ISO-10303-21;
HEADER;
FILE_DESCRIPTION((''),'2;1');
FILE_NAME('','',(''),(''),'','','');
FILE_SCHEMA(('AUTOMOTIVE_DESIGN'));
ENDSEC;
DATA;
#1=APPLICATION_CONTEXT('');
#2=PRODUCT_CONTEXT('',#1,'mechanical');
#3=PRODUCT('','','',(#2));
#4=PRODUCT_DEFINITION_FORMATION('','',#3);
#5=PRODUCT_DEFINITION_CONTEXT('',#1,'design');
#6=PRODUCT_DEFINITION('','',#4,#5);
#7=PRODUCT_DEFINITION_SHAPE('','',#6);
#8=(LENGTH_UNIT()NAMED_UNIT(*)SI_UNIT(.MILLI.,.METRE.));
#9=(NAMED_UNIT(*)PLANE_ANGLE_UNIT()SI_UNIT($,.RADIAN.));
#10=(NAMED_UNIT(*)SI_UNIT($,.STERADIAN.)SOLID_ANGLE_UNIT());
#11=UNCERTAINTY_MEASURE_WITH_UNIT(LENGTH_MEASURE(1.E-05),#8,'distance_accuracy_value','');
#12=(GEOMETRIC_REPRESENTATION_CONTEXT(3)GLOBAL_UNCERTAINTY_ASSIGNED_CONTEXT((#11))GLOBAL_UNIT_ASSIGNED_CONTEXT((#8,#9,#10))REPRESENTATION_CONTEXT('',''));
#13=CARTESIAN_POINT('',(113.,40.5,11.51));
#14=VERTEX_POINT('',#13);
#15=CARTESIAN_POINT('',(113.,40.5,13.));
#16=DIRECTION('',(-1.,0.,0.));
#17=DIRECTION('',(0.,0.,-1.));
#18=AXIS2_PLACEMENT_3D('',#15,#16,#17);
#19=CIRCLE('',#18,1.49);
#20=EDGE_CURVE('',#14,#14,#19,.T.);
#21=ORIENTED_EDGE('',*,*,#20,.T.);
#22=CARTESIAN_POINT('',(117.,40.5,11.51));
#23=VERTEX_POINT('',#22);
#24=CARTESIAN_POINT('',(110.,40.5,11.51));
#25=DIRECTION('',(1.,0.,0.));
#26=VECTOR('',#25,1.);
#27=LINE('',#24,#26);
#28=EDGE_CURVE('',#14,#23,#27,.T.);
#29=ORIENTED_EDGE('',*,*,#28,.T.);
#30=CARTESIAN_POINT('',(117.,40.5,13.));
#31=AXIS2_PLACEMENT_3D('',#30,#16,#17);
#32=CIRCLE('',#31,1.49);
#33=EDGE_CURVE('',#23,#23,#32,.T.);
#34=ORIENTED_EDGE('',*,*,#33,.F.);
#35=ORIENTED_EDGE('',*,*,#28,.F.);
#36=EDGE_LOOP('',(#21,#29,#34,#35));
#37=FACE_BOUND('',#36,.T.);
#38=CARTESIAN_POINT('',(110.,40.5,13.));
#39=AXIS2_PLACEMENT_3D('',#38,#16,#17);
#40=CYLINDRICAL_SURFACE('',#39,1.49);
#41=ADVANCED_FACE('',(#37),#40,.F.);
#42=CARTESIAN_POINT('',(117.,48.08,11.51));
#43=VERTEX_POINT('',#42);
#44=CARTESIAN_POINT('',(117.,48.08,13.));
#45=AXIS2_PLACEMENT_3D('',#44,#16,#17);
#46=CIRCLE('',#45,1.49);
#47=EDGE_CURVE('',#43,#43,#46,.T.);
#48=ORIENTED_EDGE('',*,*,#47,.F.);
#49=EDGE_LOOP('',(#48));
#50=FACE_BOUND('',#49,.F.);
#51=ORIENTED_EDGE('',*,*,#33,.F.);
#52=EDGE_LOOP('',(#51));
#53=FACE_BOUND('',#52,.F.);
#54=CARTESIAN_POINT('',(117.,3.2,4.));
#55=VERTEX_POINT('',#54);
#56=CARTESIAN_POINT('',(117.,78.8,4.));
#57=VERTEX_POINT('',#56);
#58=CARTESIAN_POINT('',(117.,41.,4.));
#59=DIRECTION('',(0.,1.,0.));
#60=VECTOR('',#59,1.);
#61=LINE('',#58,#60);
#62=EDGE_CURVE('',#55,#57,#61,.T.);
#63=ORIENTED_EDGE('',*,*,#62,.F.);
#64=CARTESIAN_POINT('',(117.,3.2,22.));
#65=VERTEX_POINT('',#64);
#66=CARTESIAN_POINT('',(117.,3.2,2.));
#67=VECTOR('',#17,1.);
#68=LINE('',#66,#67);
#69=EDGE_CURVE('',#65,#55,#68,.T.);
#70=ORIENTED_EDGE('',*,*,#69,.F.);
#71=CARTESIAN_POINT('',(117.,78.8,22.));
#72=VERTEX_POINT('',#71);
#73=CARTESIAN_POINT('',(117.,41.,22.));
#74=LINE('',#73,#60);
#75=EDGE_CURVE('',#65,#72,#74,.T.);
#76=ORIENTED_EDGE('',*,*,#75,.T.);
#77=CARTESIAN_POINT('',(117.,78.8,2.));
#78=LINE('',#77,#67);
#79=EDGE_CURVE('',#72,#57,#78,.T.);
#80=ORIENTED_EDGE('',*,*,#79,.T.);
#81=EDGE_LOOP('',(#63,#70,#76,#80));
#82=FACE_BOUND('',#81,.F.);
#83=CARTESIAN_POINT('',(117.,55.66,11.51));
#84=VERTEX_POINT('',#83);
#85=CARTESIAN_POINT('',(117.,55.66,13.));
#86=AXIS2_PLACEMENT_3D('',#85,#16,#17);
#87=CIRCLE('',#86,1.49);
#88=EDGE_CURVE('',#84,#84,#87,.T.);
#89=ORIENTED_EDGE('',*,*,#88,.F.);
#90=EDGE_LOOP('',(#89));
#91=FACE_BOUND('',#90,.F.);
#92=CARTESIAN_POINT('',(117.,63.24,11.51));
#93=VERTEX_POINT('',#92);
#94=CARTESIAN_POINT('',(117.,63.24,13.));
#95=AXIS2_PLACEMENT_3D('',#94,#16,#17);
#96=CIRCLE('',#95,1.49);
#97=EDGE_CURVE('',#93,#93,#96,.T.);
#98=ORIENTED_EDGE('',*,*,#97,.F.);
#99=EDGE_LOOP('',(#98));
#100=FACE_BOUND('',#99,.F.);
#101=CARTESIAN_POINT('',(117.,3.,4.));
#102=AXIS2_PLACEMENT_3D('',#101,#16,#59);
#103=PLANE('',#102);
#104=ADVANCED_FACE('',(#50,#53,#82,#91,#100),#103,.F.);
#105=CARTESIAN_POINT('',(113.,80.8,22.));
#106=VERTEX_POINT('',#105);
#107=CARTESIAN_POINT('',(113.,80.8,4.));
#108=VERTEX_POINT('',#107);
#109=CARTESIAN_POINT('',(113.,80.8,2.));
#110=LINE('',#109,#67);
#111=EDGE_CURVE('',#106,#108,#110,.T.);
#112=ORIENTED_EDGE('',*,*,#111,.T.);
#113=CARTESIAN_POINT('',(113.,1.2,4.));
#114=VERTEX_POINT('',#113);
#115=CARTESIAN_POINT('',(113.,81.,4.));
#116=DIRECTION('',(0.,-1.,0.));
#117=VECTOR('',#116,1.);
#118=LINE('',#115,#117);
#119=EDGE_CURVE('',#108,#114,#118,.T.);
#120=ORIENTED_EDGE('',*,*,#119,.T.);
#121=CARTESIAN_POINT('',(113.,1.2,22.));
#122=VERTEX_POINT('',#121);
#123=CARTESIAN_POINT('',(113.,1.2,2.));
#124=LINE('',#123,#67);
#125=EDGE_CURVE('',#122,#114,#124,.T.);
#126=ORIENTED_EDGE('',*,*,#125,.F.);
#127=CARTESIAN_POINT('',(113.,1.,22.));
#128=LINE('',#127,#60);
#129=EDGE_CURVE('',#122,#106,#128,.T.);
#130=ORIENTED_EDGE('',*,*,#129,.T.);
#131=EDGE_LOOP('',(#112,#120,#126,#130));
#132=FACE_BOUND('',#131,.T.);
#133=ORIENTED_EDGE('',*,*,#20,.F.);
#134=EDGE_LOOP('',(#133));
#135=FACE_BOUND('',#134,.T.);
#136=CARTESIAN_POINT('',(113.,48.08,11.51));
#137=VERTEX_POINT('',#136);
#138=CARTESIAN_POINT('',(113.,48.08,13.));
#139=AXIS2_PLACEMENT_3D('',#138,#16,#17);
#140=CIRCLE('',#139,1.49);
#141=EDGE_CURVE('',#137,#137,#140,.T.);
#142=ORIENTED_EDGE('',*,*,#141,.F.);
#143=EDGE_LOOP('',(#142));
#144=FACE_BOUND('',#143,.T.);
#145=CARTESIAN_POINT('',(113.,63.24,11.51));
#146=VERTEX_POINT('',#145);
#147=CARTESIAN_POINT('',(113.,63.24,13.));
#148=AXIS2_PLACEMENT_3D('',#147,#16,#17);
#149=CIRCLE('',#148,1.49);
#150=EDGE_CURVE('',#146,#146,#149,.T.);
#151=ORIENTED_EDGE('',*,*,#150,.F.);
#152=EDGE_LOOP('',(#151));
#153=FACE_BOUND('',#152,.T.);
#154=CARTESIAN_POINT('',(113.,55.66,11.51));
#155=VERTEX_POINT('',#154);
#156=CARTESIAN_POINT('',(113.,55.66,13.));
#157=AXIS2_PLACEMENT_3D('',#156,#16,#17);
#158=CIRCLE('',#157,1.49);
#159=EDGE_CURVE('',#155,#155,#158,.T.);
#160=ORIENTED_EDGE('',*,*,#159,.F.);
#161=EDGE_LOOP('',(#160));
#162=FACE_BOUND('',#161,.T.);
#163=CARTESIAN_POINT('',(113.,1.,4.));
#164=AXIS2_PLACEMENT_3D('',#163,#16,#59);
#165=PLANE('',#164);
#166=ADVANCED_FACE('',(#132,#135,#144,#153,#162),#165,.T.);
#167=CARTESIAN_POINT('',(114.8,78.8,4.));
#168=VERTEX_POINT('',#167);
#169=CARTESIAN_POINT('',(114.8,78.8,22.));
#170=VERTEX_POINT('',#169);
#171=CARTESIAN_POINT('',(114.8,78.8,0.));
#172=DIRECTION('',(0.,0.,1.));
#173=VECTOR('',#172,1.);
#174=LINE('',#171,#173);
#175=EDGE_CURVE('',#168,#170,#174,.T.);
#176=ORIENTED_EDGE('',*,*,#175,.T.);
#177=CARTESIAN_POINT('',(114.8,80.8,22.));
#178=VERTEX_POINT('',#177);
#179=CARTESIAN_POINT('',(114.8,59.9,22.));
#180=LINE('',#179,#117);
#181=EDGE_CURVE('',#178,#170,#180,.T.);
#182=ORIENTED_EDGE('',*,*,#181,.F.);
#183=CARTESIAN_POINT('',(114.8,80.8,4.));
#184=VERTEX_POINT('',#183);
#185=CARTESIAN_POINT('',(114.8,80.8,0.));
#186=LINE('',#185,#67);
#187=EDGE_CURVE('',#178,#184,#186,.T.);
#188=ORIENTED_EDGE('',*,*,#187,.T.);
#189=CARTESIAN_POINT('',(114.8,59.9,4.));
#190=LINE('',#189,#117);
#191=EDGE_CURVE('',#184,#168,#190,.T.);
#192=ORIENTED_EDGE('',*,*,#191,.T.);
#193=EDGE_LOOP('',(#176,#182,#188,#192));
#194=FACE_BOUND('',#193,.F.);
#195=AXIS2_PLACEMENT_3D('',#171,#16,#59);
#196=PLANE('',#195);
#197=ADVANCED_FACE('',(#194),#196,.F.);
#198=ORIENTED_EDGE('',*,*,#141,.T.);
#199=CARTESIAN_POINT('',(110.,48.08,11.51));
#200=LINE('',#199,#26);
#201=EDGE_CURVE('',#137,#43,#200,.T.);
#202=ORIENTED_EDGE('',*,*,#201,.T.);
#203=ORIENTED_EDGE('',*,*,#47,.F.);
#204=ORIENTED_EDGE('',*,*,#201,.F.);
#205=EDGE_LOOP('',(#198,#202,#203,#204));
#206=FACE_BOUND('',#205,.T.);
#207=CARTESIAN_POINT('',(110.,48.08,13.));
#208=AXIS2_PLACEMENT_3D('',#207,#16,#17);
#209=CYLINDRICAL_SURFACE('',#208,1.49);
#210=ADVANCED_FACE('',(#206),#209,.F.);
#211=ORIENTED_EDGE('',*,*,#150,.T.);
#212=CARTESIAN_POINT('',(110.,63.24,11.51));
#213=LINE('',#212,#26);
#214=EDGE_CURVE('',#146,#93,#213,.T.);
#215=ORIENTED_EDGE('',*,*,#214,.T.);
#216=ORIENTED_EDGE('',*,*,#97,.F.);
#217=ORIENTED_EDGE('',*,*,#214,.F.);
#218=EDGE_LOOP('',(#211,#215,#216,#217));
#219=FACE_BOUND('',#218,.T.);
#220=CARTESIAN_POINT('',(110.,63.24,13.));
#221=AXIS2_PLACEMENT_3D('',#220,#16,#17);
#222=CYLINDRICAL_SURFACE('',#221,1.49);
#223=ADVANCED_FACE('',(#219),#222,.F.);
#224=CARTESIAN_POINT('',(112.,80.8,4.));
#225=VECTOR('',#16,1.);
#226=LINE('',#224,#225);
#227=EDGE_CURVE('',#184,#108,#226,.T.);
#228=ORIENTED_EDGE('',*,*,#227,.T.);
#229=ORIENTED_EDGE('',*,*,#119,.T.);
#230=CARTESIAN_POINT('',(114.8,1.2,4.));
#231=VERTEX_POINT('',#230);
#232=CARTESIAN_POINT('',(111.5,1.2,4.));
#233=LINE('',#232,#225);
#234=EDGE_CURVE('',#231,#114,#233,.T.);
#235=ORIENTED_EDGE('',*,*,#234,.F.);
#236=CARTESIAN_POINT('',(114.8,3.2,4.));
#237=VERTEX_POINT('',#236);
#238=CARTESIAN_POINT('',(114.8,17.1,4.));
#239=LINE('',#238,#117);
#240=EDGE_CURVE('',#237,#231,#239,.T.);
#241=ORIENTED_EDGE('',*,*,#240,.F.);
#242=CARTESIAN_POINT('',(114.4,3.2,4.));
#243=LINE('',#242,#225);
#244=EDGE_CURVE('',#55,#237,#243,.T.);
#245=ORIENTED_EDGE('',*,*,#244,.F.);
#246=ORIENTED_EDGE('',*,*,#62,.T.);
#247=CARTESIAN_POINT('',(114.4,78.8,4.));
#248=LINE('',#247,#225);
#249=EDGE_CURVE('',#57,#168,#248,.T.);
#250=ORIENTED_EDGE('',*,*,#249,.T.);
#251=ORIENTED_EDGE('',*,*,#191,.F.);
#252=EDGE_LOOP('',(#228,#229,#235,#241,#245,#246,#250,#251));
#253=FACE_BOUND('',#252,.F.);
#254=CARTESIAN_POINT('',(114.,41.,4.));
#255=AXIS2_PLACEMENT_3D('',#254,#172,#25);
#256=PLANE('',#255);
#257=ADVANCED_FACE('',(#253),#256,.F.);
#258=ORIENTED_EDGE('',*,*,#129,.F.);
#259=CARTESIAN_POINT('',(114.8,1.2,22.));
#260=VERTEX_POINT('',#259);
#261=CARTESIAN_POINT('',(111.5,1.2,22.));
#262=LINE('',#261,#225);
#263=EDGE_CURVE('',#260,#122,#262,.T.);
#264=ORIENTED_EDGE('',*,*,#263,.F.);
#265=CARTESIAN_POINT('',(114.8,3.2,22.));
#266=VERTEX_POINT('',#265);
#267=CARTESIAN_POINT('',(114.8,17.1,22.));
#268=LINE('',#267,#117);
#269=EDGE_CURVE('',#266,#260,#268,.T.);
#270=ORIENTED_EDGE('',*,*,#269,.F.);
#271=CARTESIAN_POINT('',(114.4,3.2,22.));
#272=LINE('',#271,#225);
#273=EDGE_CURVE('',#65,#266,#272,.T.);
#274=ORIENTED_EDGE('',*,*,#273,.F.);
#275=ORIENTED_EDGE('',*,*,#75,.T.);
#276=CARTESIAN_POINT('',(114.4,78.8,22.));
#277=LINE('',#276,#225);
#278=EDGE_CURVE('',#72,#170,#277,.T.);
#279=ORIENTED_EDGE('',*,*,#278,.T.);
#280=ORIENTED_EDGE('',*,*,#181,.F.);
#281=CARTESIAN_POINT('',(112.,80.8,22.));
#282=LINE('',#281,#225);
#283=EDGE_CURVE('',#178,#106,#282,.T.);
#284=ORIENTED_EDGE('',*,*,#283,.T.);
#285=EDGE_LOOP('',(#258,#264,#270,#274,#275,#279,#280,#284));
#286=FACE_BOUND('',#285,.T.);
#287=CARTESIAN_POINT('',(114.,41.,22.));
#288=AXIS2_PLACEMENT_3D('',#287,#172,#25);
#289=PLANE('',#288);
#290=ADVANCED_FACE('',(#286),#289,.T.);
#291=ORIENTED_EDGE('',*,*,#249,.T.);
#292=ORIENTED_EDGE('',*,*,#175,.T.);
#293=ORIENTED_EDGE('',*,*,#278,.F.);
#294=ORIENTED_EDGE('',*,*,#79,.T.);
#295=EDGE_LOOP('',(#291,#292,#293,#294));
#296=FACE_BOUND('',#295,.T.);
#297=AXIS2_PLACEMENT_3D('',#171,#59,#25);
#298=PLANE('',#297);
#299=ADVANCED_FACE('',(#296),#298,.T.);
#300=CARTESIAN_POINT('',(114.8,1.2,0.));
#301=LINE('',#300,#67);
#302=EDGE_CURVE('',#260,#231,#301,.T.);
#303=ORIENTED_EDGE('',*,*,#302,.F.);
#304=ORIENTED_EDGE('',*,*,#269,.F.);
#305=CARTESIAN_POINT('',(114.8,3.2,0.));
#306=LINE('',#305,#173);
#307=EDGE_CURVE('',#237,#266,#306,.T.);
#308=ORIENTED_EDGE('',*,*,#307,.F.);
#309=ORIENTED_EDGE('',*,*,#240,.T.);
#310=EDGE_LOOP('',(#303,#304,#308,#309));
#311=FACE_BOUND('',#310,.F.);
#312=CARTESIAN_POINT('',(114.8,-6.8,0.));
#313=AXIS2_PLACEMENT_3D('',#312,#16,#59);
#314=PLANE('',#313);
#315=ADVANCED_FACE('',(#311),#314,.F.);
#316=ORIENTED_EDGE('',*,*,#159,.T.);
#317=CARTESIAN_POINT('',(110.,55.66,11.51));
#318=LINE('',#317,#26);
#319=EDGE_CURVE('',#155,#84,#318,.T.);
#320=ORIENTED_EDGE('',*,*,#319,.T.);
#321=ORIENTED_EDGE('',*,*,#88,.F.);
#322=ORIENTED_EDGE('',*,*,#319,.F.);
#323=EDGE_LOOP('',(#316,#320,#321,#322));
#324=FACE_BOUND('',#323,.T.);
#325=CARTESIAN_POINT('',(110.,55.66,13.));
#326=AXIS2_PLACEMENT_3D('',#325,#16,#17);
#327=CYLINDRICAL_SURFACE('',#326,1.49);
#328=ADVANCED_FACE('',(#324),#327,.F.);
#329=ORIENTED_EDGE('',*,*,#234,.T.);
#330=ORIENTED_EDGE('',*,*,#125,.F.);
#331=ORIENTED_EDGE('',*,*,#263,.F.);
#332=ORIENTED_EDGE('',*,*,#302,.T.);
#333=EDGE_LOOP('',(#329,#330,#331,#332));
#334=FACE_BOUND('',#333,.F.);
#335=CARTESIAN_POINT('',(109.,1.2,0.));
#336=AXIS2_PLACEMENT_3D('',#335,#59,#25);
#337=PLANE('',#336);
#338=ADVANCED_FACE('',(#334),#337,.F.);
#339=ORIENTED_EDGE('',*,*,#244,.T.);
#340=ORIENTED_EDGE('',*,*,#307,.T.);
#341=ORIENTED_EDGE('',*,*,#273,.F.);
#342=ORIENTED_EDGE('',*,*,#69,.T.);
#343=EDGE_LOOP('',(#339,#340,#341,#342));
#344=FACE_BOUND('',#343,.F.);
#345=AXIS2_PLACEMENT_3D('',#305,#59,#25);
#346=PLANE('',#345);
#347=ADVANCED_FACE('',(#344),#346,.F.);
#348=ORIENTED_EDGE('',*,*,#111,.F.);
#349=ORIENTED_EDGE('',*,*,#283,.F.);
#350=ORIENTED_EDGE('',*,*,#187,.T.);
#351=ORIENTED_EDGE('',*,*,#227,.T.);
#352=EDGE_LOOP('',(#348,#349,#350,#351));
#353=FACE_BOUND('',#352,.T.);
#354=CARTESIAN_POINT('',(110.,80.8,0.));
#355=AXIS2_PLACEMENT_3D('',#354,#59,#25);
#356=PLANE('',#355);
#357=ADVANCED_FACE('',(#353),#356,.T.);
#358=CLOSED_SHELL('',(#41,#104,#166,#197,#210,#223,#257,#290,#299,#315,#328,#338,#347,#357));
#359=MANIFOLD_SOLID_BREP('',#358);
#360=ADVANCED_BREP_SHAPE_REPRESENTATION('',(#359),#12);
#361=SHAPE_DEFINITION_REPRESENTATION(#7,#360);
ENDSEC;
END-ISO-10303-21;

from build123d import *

# Parameters (mm, degrees)
CYLINDER010_R     = 1.49
CYLINDER010_DEPTH = 10
ARRAY016_Y_COUNT  = 4
ARRAY016_Y_PITCH  = 7.58
BOX051_W          = 10
BOX051_H          = 10
BOX051_DEPTH      = 31
BOX050_W          = 10
BOX050_H          = 10
BOX050_DEPTH      = 30
BOX049_W          = 10
BOX049_H          = 10
BOX049_DEPTH      = 25
BOX048_W          = 10
BOX048_H          = 10
BOX048_DEPTH      = 25
BOX046_W          = 2
BOX046_H          = 80
BOX046_DEPTH      = 18
BOX047_W          = 4
BOX047_H          = 76
BOX047_DEPTH      = 18


with BuildPart() as array016:
    # Cylinder010 → Cylinder010 (new body)
    with BuildSketch(Plane(origin=(143, 6, 13), x_dir=(0, 0, -1), z_dir=(1, 0, 0))):
        Circle(CYLINDER010_R)
    extrude(amount=CYLINDER010_DEPTH)

    # Array016 Y: Array016 ×4


with BuildPart() as array016_1:
    add(array016.part)
    with Locations(*[(0, i * ARRAY016_Y_PITCH, 0) for i in range(1, ARRAY016_Y_COUNT)]):
        add(array016.part)


with BuildPart() as array016_2:
    # Array016 placement: moved
    add(array016_1.part.moved(Location((-33, 34.5, 0))))


with BuildPart() as w_rfel037:
    # Box051 → Box051 (new body)
    with BuildSketch(Plane(origin=(110, 80.8, 0), x_dir=(1, 0, 0), z_dir=(0, 0, 1))):
        with Locations((5, 5)):
            Rectangle(BOX051_W, BOX051_H)
    extrude(amount=BOX051_DEPTH)


with BuildPart() as w_rfel036:
    # Box050 → Box050 (new body)
    with BuildSketch(Plane(origin=(109, -8.8, 0), x_dir=(1, 0, 0), z_dir=(0, 0, 1))):
        with Locations((5, 5)):
            Rectangle(BOX050_W, BOX050_H)
    extrude(amount=BOX050_DEPTH)


with BuildPart() as w_rfel035:
    # Box049 → Box049 (new body)
    with BuildSketch(Plane(origin=(114.8, 78.8, 0), x_dir=(1, 0, 0), z_dir=(0, 0, 1))):
        with Locations((5, 5)):
            Rectangle(BOX049_W, BOX049_H)
    extrude(amount=BOX049_DEPTH)


with BuildPart() as w_rfel034:
    # Box048 → Box048 (new body)
    with BuildSketch(Plane(origin=(114.8, -6.8, 0), x_dir=(1, 0, 0), z_dir=(0, 0, 1))):
        with Locations((5, 5)):
            Rectangle(BOX048_W, BOX048_H)
    extrude(amount=BOX048_DEPTH)


with BuildPart() as f_hrung003:
    # Box046 → Box046 (new body)
    with BuildSketch(Plane(origin=(113, 1, 23), x_dir=(1, 0, 0), z_dir=(0, 0, 1))):
        with Locations((1, 40)):
            Rectangle(BOX046_W, BOX046_H)
    extrude(amount=BOX046_DEPTH)


with BuildPart() as cut052:
    # Box047 → Box047 (new body)
    with BuildSketch(Plane(origin=(113, 3, 23), x_dir=(1, 0, 0), z_dir=(0, 0, 1))):
        with Locations((2, 38)):
            Rectangle(BOX047_W, BOX047_H)
    extrude(amount=BOX047_DEPTH)

    # Fusion008031: union Führung003
    add(f_hrung003.part)


with BuildPart() as cut052_1:
    # Fusion008031 placement: moved
    add(cut052.part.moved(Location((0, 0, -19))))

    # Cut047: cut Würfel034
    add(w_rfel034.part, mode=Mode.SUBTRACT)

    # Cut048: cut Würfel035
    add(w_rfel035.part, mode=Mode.SUBTRACT)

    # Cut049: cut Würfel036
    add(w_rfel036.part, mode=Mode.SUBTRACT)

    # Cut050: cut Würfel037
    add(w_rfel037.part, mode=Mode.SUBTRACT)

    # Cut052: cut Array016
    add(array016_2.part, mode=Mode.SUBTRACT)


solid = cut052_1.part
